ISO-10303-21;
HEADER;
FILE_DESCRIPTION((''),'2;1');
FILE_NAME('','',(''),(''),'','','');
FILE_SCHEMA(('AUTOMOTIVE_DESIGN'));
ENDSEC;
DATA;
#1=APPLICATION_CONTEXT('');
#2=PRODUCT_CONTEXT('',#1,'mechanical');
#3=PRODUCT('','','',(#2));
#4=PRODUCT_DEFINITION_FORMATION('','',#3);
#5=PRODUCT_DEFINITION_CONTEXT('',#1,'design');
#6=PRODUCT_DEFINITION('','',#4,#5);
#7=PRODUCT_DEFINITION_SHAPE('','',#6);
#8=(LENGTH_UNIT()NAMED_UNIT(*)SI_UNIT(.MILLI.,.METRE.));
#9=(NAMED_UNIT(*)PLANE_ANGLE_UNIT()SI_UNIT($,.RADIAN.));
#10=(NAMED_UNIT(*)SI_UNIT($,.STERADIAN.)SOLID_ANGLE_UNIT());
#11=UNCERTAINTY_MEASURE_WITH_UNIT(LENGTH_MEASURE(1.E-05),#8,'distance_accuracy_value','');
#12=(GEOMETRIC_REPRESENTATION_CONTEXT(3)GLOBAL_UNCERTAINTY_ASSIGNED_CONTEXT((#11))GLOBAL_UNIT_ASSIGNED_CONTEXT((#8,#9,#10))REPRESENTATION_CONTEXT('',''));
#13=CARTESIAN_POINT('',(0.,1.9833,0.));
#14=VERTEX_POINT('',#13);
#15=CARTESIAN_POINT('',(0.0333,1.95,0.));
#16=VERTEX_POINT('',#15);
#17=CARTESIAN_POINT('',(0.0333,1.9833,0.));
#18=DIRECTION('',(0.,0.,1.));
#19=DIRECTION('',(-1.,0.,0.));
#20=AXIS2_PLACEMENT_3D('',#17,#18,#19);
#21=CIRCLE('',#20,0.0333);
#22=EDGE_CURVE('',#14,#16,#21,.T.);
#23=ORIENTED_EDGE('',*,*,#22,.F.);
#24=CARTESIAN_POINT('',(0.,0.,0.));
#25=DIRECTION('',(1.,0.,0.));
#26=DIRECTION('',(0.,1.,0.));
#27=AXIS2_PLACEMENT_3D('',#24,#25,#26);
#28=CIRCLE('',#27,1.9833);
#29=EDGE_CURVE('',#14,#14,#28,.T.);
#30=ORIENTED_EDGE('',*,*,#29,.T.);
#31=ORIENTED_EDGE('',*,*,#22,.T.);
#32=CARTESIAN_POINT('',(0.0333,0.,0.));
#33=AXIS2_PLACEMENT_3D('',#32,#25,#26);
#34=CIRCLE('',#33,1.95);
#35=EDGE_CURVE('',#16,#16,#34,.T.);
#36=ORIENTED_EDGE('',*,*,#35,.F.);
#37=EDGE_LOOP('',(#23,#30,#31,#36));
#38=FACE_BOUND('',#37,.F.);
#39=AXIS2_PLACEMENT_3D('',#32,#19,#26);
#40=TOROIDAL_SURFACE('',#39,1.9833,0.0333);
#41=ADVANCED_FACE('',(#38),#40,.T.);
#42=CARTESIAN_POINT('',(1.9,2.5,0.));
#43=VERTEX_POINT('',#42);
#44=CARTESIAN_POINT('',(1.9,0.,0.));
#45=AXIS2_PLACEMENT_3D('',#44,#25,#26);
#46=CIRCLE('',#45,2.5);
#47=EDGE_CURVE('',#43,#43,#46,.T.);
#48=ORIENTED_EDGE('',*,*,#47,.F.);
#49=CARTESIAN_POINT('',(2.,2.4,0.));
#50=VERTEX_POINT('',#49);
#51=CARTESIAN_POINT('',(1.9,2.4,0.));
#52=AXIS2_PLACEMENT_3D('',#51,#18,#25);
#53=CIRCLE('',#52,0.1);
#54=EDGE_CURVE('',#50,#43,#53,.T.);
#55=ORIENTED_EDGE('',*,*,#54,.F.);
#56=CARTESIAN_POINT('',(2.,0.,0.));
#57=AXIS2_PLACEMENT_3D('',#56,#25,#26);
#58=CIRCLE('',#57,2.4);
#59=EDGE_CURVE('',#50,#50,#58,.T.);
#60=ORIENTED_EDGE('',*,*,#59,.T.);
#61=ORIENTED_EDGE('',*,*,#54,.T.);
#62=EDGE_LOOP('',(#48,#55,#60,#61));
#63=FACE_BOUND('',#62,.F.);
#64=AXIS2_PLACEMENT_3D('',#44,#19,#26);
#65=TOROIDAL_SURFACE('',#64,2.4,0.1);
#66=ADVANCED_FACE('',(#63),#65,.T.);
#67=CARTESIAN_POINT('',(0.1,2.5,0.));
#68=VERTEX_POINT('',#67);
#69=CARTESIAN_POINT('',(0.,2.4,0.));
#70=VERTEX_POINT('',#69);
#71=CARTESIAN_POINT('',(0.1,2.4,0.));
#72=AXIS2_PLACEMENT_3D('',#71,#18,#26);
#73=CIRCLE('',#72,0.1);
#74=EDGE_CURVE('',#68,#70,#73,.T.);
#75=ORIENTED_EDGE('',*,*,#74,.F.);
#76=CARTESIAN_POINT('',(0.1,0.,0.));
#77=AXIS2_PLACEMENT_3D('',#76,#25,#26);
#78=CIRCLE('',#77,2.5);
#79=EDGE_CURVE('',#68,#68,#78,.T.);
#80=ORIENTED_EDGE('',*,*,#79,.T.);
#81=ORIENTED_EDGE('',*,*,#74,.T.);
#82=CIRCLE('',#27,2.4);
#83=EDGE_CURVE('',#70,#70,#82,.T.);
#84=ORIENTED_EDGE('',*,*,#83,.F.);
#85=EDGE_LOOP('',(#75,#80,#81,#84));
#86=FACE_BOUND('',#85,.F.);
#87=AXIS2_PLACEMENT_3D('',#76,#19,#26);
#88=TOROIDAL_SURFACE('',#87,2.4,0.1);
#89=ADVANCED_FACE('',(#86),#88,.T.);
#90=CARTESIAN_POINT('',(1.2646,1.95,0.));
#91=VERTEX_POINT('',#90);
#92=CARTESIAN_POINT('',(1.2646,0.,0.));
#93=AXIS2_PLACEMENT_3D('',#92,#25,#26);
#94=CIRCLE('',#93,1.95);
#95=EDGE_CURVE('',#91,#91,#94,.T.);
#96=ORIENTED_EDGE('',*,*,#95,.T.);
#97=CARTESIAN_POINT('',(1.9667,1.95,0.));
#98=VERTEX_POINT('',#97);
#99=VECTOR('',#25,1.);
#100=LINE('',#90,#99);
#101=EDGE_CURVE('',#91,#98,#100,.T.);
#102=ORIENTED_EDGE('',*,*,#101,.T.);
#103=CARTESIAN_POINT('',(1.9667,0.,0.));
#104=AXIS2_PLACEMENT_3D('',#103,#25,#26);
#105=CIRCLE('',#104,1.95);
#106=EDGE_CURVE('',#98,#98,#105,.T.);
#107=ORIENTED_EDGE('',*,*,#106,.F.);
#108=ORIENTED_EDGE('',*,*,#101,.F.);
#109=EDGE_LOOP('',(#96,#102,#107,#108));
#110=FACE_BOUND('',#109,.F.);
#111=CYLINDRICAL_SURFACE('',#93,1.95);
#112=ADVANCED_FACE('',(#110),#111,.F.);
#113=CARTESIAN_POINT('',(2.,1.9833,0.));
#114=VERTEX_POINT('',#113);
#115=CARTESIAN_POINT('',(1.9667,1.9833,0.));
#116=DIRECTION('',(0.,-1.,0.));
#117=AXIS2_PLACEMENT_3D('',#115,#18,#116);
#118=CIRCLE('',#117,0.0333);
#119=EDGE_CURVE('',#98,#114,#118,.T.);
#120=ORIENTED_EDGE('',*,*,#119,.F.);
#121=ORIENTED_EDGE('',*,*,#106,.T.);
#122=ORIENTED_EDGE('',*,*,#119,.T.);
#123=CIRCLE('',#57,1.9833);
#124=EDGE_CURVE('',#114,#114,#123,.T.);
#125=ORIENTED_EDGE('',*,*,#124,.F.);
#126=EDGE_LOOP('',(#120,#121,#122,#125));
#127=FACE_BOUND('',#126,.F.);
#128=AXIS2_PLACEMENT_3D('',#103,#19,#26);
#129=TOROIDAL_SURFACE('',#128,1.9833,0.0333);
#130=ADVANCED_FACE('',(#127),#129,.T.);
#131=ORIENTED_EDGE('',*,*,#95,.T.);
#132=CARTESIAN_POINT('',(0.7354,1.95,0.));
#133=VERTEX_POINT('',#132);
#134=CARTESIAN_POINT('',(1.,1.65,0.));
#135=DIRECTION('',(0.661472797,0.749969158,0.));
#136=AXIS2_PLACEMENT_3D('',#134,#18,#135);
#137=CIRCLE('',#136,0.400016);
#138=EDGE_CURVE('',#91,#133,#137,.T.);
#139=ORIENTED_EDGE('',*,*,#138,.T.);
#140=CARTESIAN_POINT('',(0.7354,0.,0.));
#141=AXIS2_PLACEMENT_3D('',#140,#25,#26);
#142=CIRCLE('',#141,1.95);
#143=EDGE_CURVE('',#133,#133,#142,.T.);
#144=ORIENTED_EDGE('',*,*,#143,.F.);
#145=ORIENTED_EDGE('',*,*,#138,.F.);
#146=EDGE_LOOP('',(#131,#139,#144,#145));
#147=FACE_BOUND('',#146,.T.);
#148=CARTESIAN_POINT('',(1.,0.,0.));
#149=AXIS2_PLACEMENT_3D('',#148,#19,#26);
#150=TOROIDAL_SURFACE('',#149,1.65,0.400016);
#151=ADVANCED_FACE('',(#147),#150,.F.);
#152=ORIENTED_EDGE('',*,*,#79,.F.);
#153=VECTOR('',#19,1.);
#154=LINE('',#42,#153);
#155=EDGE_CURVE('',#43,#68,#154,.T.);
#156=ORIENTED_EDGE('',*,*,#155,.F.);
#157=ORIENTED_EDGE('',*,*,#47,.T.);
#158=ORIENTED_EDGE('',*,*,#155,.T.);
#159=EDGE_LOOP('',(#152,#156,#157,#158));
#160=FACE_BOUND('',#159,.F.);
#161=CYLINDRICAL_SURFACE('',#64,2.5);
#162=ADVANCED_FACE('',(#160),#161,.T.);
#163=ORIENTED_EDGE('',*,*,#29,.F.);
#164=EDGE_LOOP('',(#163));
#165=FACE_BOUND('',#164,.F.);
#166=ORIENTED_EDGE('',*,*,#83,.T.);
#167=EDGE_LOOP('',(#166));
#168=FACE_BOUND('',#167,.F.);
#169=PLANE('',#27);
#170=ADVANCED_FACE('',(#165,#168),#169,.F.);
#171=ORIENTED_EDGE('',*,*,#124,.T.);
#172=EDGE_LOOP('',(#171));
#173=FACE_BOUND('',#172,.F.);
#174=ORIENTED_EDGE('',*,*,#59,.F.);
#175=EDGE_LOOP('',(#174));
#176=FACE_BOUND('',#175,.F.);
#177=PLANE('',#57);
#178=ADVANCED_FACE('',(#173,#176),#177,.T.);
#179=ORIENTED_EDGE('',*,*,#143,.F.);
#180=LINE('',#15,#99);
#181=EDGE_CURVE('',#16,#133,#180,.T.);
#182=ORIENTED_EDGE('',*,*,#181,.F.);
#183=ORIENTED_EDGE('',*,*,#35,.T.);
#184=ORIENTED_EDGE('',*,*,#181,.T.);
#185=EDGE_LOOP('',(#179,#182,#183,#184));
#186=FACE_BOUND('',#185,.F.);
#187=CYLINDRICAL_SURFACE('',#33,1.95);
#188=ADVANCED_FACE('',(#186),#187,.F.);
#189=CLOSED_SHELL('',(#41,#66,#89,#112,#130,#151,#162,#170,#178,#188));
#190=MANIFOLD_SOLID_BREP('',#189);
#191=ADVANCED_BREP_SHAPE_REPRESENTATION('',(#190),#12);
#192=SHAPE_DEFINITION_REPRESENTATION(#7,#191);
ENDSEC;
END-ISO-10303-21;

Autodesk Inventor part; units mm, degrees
ref_plane "YZ Plane" through (0, 0, 0) normal (1, 0, 0) x (0, 1, 0)
ref_plane "XZ Plane" through (0, 0, 0) normal (0, 1, 0) x (-1, 0, 0)
ref_plane "XY Plane" through (0, 0, 0) normal (0, 0, 1) x (1, 0, 0)
sketch "Sketch_7" plane through (0, 0, 0) normal (0, 0, 1) x (1, 0, 0)
  line L0 (2, 0) -> (-2, 0)
  arc A0 (0, 1.9833) -> (0.0333, 1.95) centre (0.0333, 1.9833) ccw
  line L1 (0.0333, 1.95) -> (0.7354, 1.95)
  arc A1 (1.2646, 1.95) -> (0.7354, 1.95) centre (1, 1.65) ccw
  line L2 (1.2646, 1.95) -> (1.9667, 1.95)
  arc A2 (1.9667, 1.95) -> (2, 1.9833) centre (1.9667, 1.9833) ccw
  line L3 (2, 1.9833) -> (2, 2.4)
  arc A3 (2, 2.4) -> (1.9, 2.5) centre (1.9, 2.4) ccw
  line L4 (1.9, 2.5) -> (0.1, 2.5)
  arc A4 (0.1, 2.5) -> (0, 2.4) centre (0.1, 2.4) ccw
  line L5 (0, 2.4) -> (0, 1.9833)
revolve "Revolution1" add sketch "Sketch_7" angle 360 about axis through (2, 0, 0) along (1, 0, 0)
properties part number "W 618/2 X_PART2"
